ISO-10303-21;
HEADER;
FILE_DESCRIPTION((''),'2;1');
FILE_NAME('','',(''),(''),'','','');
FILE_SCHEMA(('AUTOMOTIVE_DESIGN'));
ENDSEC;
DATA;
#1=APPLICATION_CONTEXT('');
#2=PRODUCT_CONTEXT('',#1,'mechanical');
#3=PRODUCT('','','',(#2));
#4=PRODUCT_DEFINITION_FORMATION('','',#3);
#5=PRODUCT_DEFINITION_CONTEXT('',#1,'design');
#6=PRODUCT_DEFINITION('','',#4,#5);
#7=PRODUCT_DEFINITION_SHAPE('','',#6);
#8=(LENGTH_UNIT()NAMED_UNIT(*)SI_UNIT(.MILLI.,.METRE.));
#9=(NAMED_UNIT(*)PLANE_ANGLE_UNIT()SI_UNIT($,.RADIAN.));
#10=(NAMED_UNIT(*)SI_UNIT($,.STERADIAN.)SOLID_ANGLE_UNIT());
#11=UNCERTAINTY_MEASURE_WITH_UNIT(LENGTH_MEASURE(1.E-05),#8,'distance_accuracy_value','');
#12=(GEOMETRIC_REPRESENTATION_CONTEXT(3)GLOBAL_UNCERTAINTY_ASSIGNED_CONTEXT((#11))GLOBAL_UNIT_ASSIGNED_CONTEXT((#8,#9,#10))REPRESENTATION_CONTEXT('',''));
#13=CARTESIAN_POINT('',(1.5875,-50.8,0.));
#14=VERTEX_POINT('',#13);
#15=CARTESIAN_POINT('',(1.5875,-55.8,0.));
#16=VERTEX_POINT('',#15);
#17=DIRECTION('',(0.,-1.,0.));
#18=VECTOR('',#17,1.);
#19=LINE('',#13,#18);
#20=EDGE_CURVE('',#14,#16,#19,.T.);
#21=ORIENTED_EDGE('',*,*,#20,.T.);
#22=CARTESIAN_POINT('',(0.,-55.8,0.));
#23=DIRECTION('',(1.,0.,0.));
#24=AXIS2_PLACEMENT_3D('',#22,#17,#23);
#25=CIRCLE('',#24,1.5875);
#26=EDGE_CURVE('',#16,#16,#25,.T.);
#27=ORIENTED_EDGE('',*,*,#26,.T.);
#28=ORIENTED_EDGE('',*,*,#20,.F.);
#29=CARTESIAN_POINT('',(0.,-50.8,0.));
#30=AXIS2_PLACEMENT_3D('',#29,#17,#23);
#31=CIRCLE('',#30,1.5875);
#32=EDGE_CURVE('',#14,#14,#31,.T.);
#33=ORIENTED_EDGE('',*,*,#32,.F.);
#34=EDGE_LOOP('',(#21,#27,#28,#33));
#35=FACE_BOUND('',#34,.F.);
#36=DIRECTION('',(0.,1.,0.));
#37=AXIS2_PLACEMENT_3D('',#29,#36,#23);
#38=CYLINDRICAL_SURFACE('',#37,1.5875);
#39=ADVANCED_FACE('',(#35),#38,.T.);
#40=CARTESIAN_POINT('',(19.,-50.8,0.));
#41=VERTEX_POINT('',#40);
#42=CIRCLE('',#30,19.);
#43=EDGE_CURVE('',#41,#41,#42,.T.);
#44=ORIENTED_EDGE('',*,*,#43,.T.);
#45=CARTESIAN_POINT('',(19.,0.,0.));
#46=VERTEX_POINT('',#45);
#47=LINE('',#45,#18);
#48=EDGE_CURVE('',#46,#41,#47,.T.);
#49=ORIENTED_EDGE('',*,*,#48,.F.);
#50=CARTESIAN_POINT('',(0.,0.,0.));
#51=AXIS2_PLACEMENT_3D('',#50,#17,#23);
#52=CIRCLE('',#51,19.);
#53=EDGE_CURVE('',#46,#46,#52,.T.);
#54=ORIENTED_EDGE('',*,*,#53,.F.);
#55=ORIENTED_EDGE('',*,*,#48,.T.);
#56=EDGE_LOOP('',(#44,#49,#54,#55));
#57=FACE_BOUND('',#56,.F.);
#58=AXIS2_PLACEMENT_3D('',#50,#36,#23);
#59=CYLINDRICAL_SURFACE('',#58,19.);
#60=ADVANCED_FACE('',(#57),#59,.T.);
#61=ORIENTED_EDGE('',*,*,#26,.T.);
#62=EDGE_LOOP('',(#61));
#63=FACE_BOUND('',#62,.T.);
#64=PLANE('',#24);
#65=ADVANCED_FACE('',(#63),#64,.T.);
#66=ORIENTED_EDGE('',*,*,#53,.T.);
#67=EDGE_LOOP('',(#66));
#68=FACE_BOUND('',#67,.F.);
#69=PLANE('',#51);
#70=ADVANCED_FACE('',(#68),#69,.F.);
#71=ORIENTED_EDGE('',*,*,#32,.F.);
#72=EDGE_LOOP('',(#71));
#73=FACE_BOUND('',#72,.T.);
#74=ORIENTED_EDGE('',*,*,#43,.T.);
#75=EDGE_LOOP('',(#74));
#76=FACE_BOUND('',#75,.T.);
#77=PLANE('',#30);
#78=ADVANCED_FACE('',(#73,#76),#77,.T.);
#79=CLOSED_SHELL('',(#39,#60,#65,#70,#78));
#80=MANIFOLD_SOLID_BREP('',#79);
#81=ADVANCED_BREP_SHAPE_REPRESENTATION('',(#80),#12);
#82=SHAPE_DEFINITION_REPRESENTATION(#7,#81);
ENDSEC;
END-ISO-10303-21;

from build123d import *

# Parameters (mm, degrees)
F0_R     = 19
F1_DEPTH = 50.8
F3_R     = 1.5875
F4_DEPTH = 5


with BuildPart() as f1:
    # F0 (on Front) → F1 (new body)
    with BuildSketch(Plane.XZ):
        Circle(F0_R)
    extrude(amount=F1_DEPTH)

    # F3 (on offset) → F4 (join)
    with BuildSketch(Plane.XZ.offset(50.8)):
        Circle(F3_R)
    extrude(amount=F4_DEPTH)


solid = f1.part
